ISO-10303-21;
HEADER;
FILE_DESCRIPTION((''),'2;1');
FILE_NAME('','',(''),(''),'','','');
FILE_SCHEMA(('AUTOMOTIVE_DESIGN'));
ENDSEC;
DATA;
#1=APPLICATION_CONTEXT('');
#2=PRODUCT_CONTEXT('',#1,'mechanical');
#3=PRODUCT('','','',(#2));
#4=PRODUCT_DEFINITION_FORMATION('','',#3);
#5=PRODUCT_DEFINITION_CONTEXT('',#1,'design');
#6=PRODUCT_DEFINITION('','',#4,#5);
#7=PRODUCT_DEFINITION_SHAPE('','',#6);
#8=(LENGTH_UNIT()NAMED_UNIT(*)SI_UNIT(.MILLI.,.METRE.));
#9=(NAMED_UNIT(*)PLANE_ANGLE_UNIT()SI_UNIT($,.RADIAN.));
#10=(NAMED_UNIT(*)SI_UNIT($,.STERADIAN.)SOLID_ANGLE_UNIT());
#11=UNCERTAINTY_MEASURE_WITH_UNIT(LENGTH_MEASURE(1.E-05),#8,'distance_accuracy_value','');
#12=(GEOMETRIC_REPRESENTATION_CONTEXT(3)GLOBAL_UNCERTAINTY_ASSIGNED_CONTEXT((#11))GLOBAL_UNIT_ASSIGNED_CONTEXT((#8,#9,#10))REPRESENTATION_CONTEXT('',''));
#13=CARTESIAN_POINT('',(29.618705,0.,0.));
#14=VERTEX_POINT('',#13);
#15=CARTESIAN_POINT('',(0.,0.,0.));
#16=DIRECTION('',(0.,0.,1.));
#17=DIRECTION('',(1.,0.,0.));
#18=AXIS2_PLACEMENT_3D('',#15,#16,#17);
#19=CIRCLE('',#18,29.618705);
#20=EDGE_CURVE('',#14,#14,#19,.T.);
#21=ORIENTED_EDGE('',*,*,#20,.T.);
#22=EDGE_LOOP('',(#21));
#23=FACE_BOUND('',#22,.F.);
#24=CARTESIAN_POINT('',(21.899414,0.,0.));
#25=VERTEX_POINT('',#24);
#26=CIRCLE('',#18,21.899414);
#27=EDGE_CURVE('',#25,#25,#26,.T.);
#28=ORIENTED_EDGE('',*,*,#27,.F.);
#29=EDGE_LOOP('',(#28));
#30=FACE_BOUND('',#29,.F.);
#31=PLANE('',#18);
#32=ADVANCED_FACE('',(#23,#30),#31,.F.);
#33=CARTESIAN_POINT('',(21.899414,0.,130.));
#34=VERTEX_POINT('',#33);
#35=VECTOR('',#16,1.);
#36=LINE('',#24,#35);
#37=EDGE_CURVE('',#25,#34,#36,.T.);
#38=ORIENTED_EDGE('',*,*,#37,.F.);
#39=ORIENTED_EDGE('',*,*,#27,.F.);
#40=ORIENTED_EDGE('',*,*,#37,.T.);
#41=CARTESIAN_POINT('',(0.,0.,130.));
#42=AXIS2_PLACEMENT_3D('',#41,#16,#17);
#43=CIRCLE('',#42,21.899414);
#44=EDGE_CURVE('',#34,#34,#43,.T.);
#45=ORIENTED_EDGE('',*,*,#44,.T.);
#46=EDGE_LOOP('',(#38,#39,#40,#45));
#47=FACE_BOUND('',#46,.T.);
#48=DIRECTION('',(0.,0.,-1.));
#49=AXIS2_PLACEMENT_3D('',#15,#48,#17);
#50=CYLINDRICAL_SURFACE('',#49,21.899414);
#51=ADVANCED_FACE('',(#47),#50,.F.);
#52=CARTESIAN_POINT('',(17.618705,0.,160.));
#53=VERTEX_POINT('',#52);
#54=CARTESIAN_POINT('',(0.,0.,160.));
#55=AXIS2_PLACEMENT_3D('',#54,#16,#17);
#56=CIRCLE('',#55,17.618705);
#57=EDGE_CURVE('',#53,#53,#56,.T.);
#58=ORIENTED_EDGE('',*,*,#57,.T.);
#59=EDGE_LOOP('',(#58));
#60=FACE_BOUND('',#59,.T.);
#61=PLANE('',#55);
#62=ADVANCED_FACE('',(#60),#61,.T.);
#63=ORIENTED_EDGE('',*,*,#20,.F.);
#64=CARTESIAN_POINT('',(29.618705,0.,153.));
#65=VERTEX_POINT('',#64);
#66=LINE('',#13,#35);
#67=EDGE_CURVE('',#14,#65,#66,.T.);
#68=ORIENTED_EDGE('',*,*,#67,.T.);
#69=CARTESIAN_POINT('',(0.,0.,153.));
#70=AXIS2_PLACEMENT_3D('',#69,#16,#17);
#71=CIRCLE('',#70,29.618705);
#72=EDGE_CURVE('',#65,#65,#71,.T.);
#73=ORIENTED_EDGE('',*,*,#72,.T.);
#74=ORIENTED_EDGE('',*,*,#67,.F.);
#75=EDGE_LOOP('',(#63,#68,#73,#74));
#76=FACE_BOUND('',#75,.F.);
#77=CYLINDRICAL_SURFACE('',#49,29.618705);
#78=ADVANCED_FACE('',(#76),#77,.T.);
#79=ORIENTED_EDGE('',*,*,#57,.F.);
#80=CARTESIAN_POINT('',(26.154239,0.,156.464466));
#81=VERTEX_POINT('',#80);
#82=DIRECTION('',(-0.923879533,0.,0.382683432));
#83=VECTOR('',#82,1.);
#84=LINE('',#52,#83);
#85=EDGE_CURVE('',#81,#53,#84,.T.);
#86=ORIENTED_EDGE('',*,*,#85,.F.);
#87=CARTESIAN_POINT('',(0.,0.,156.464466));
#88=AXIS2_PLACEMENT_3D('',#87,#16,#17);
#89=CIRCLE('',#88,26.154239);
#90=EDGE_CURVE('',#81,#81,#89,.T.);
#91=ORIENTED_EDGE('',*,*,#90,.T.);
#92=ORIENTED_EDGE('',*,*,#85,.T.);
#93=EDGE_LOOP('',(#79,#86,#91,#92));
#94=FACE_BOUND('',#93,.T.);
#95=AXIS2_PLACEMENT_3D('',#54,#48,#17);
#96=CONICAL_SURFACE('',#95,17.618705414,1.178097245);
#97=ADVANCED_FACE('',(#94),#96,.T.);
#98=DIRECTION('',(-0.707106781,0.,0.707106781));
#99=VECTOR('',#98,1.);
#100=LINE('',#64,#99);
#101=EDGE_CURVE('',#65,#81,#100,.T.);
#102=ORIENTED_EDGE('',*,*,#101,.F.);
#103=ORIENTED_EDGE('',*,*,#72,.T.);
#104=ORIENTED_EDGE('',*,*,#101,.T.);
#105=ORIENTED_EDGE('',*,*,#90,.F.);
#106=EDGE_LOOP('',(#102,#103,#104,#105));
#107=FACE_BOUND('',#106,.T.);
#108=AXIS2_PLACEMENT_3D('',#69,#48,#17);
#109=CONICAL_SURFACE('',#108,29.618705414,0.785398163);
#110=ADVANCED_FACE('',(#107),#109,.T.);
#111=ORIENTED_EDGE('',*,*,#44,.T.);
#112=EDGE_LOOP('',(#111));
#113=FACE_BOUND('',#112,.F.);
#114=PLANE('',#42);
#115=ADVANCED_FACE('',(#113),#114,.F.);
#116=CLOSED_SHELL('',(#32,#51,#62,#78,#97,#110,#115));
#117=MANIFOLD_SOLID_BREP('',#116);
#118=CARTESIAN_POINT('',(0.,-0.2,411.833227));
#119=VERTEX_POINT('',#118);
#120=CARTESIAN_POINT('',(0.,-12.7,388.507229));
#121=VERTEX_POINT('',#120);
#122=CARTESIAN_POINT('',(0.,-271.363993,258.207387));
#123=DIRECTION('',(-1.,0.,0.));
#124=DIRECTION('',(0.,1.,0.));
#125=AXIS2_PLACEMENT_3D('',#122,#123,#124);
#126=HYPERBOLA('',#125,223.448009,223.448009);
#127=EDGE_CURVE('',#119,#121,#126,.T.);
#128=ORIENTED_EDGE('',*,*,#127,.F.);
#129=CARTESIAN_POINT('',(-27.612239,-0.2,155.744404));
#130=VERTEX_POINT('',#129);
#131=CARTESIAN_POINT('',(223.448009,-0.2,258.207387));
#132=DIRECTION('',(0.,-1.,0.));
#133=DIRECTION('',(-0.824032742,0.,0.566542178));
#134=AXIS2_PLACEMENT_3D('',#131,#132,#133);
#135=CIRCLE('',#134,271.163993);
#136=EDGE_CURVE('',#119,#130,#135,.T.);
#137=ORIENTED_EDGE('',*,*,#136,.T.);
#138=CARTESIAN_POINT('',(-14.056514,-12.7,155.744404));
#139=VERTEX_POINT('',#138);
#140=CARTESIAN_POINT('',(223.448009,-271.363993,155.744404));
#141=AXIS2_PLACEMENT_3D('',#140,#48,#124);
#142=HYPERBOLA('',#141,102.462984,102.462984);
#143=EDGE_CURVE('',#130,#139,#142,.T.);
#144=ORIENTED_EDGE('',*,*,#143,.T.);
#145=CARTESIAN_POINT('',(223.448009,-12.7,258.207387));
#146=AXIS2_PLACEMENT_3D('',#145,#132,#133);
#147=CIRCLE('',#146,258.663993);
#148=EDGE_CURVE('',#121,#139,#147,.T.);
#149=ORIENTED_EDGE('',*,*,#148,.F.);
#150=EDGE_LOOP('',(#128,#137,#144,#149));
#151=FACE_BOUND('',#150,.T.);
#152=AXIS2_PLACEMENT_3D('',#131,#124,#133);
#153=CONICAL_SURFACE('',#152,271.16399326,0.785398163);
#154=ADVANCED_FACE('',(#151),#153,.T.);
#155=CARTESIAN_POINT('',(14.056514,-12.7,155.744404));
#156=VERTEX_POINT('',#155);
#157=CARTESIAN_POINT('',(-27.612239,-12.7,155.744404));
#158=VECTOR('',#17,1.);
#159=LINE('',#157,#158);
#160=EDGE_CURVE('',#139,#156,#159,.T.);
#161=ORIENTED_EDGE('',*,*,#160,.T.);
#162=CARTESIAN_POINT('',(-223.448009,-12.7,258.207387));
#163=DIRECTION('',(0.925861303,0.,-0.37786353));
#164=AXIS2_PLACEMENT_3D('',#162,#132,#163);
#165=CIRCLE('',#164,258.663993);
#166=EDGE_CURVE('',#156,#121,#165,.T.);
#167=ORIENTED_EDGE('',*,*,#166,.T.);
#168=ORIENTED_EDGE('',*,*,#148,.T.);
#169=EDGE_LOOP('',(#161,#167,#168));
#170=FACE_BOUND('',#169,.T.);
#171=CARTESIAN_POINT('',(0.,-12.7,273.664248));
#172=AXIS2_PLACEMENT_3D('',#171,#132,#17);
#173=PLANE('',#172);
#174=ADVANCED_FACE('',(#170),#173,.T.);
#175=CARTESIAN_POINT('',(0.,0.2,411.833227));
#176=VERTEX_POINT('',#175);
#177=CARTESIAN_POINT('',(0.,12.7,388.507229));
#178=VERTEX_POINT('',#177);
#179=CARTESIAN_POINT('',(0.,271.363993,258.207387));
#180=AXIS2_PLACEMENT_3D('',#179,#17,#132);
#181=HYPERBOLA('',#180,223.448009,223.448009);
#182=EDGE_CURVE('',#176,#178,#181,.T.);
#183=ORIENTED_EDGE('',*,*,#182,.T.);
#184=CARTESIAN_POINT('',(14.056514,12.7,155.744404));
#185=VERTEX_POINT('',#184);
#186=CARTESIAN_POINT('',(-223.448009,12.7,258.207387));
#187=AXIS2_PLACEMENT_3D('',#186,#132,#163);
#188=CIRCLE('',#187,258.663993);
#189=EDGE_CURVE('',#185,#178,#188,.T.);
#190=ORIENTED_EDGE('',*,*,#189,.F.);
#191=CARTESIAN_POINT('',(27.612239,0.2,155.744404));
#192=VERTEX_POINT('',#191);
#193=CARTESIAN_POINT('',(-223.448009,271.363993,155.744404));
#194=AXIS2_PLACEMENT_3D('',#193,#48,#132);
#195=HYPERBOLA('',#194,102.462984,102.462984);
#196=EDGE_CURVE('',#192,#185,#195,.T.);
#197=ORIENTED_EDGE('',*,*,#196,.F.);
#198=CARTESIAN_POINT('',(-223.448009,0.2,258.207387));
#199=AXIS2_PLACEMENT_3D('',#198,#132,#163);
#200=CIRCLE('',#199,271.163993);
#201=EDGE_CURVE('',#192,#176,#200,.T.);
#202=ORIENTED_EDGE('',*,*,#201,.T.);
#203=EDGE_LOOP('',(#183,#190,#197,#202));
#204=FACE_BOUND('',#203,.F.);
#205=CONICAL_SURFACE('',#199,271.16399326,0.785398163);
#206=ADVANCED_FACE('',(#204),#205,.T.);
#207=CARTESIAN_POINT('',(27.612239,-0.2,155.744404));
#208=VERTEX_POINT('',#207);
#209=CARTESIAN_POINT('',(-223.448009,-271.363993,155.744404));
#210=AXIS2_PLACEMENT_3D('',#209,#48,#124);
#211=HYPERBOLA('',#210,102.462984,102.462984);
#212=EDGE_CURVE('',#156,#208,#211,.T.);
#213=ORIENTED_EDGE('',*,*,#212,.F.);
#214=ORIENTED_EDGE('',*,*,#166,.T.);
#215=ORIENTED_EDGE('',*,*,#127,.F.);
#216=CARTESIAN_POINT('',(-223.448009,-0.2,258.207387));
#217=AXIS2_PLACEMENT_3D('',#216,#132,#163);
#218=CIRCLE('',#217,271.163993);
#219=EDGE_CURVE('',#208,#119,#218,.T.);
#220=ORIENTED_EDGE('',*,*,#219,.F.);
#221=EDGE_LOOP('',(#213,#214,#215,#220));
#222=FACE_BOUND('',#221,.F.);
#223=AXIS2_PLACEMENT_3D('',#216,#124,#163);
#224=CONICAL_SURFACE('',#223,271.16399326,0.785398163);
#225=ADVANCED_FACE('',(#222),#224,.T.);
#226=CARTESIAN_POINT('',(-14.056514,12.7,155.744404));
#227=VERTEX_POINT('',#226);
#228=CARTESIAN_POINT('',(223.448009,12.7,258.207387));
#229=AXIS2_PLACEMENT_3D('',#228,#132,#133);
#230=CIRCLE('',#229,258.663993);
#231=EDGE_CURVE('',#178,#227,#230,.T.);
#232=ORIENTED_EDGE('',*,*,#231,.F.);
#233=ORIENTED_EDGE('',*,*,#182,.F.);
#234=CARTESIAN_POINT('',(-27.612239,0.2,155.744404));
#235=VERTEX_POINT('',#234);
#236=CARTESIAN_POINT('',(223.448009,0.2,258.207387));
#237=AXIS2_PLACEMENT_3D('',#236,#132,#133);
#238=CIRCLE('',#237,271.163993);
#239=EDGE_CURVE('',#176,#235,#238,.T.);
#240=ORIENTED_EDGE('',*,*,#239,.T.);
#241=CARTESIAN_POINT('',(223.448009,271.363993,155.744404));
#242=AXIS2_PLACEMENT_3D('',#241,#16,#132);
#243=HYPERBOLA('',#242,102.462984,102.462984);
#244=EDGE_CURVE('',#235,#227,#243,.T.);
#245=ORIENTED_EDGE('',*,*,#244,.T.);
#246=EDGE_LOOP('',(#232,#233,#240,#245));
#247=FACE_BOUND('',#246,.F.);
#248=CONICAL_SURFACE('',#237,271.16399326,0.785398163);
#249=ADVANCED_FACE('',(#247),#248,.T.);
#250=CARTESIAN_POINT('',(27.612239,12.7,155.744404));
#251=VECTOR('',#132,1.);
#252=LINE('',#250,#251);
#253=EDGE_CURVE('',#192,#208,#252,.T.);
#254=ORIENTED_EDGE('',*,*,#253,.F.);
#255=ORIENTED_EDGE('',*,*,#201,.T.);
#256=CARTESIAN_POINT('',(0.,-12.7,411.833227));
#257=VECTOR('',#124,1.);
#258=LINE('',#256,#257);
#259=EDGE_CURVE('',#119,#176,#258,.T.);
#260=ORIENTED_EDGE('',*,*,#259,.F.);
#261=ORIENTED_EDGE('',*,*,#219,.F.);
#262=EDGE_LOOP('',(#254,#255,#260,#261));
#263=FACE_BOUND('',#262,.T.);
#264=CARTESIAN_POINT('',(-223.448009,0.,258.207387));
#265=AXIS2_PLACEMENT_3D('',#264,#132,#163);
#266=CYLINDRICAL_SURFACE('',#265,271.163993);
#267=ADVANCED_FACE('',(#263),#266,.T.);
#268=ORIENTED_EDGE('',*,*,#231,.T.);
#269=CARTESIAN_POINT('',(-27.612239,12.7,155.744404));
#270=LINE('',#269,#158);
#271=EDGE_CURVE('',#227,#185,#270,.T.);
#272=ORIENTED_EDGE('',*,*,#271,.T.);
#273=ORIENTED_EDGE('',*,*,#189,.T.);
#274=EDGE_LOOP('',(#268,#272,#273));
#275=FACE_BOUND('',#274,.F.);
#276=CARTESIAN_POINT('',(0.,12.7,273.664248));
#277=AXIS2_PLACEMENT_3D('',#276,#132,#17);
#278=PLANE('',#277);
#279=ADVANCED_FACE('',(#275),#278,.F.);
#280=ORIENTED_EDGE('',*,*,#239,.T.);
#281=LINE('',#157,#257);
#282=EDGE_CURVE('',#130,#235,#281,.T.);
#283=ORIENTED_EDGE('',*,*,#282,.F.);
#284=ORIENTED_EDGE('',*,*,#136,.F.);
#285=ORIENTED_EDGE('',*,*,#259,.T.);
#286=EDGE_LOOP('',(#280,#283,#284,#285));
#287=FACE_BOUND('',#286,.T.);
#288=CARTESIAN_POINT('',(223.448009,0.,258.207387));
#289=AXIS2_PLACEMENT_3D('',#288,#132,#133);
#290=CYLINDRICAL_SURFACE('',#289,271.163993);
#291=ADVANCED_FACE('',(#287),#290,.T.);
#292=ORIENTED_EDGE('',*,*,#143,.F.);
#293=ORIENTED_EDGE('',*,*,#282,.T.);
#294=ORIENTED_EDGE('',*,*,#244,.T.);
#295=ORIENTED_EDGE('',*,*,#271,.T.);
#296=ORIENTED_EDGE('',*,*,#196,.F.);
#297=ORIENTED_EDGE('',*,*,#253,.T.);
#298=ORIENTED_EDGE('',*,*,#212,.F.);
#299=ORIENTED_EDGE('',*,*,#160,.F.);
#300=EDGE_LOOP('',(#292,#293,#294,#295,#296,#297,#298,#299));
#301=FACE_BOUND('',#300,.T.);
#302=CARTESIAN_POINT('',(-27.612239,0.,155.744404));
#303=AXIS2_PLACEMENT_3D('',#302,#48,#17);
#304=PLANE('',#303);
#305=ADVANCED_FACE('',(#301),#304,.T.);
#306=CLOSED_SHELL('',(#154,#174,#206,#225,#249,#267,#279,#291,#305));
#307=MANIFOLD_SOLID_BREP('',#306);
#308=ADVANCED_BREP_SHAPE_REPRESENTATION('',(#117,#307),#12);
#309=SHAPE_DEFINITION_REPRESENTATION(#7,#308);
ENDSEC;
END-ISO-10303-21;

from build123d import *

# Parameters (mm, degrees)
F8_R     = 29.6187054139
F0_DEPTH = 160
F1_DEPTH = 12.7
F2_SIZE  = 12.5
F4_SIZE  = 7
F5_SIZE  = 5
F6_R     = 21.8994140724
F7_DEPTH = 130


with BuildPart() as f0:
    # F8 (on Top) → F0 (new body)
    with BuildSketch(Plane.XY):
        Circle(F8_R)
    extrude(amount=F0_DEPTH)

    # F4
    f4_edges = [f0.edges().sort_by_distance(p)[0] for p in [
        (-29.618705, 0, 160),
    ]]
    chamfer(f4_edges, length=F4_SIZE)

    # F5
    f5_edges = [f0.edges().sort_by_distance(p)[0] for p in [
        (-22.618705, 0, 160),
    ]]
    chamfer(f5_edges, length=F5_SIZE)

    # F6 (on Top) → F7 (cut)
    with BuildSketch(Plane.XY):
        Circle(F6_R)
    extrude(amount=F7_DEPTH, mode=Mode.SUBTRACT)


with BuildPart() as f1:
    # F9 (on Front) → F1 (new body, symmetric)
    with BuildSketch(Plane.XZ):
        with BuildLine():
            Line((-27.6122391224, 155.7444036007), (27.6122391224, 155.7444036007))
            ThreePointArc((27.6122391224, 155.7444036007), (46.1533501296, 287.276587292), (0, 411.8332266808))
            ThreePointArc((0, 411.8332266808), (-46.1533501296, 287.276587292), (-27.6122391224, 155.7444036007))
        make_face()
    extrude(amount=F1_DEPTH, both=True)

    # F2
    f2_edges = [f1.edges().sort_by_distance(p)[0] for p in [
        (-46.15335, -12.7, 287.276587),
        (46.15335, -12.7, 287.276587),
        (-46.15335, 12.7, 287.276587),
        (46.15335, 12.7, 287.276587),
    ]]
    chamfer(f2_edges, length=F2_SIZE)


solid = Compound([f0.part, f1.part])
